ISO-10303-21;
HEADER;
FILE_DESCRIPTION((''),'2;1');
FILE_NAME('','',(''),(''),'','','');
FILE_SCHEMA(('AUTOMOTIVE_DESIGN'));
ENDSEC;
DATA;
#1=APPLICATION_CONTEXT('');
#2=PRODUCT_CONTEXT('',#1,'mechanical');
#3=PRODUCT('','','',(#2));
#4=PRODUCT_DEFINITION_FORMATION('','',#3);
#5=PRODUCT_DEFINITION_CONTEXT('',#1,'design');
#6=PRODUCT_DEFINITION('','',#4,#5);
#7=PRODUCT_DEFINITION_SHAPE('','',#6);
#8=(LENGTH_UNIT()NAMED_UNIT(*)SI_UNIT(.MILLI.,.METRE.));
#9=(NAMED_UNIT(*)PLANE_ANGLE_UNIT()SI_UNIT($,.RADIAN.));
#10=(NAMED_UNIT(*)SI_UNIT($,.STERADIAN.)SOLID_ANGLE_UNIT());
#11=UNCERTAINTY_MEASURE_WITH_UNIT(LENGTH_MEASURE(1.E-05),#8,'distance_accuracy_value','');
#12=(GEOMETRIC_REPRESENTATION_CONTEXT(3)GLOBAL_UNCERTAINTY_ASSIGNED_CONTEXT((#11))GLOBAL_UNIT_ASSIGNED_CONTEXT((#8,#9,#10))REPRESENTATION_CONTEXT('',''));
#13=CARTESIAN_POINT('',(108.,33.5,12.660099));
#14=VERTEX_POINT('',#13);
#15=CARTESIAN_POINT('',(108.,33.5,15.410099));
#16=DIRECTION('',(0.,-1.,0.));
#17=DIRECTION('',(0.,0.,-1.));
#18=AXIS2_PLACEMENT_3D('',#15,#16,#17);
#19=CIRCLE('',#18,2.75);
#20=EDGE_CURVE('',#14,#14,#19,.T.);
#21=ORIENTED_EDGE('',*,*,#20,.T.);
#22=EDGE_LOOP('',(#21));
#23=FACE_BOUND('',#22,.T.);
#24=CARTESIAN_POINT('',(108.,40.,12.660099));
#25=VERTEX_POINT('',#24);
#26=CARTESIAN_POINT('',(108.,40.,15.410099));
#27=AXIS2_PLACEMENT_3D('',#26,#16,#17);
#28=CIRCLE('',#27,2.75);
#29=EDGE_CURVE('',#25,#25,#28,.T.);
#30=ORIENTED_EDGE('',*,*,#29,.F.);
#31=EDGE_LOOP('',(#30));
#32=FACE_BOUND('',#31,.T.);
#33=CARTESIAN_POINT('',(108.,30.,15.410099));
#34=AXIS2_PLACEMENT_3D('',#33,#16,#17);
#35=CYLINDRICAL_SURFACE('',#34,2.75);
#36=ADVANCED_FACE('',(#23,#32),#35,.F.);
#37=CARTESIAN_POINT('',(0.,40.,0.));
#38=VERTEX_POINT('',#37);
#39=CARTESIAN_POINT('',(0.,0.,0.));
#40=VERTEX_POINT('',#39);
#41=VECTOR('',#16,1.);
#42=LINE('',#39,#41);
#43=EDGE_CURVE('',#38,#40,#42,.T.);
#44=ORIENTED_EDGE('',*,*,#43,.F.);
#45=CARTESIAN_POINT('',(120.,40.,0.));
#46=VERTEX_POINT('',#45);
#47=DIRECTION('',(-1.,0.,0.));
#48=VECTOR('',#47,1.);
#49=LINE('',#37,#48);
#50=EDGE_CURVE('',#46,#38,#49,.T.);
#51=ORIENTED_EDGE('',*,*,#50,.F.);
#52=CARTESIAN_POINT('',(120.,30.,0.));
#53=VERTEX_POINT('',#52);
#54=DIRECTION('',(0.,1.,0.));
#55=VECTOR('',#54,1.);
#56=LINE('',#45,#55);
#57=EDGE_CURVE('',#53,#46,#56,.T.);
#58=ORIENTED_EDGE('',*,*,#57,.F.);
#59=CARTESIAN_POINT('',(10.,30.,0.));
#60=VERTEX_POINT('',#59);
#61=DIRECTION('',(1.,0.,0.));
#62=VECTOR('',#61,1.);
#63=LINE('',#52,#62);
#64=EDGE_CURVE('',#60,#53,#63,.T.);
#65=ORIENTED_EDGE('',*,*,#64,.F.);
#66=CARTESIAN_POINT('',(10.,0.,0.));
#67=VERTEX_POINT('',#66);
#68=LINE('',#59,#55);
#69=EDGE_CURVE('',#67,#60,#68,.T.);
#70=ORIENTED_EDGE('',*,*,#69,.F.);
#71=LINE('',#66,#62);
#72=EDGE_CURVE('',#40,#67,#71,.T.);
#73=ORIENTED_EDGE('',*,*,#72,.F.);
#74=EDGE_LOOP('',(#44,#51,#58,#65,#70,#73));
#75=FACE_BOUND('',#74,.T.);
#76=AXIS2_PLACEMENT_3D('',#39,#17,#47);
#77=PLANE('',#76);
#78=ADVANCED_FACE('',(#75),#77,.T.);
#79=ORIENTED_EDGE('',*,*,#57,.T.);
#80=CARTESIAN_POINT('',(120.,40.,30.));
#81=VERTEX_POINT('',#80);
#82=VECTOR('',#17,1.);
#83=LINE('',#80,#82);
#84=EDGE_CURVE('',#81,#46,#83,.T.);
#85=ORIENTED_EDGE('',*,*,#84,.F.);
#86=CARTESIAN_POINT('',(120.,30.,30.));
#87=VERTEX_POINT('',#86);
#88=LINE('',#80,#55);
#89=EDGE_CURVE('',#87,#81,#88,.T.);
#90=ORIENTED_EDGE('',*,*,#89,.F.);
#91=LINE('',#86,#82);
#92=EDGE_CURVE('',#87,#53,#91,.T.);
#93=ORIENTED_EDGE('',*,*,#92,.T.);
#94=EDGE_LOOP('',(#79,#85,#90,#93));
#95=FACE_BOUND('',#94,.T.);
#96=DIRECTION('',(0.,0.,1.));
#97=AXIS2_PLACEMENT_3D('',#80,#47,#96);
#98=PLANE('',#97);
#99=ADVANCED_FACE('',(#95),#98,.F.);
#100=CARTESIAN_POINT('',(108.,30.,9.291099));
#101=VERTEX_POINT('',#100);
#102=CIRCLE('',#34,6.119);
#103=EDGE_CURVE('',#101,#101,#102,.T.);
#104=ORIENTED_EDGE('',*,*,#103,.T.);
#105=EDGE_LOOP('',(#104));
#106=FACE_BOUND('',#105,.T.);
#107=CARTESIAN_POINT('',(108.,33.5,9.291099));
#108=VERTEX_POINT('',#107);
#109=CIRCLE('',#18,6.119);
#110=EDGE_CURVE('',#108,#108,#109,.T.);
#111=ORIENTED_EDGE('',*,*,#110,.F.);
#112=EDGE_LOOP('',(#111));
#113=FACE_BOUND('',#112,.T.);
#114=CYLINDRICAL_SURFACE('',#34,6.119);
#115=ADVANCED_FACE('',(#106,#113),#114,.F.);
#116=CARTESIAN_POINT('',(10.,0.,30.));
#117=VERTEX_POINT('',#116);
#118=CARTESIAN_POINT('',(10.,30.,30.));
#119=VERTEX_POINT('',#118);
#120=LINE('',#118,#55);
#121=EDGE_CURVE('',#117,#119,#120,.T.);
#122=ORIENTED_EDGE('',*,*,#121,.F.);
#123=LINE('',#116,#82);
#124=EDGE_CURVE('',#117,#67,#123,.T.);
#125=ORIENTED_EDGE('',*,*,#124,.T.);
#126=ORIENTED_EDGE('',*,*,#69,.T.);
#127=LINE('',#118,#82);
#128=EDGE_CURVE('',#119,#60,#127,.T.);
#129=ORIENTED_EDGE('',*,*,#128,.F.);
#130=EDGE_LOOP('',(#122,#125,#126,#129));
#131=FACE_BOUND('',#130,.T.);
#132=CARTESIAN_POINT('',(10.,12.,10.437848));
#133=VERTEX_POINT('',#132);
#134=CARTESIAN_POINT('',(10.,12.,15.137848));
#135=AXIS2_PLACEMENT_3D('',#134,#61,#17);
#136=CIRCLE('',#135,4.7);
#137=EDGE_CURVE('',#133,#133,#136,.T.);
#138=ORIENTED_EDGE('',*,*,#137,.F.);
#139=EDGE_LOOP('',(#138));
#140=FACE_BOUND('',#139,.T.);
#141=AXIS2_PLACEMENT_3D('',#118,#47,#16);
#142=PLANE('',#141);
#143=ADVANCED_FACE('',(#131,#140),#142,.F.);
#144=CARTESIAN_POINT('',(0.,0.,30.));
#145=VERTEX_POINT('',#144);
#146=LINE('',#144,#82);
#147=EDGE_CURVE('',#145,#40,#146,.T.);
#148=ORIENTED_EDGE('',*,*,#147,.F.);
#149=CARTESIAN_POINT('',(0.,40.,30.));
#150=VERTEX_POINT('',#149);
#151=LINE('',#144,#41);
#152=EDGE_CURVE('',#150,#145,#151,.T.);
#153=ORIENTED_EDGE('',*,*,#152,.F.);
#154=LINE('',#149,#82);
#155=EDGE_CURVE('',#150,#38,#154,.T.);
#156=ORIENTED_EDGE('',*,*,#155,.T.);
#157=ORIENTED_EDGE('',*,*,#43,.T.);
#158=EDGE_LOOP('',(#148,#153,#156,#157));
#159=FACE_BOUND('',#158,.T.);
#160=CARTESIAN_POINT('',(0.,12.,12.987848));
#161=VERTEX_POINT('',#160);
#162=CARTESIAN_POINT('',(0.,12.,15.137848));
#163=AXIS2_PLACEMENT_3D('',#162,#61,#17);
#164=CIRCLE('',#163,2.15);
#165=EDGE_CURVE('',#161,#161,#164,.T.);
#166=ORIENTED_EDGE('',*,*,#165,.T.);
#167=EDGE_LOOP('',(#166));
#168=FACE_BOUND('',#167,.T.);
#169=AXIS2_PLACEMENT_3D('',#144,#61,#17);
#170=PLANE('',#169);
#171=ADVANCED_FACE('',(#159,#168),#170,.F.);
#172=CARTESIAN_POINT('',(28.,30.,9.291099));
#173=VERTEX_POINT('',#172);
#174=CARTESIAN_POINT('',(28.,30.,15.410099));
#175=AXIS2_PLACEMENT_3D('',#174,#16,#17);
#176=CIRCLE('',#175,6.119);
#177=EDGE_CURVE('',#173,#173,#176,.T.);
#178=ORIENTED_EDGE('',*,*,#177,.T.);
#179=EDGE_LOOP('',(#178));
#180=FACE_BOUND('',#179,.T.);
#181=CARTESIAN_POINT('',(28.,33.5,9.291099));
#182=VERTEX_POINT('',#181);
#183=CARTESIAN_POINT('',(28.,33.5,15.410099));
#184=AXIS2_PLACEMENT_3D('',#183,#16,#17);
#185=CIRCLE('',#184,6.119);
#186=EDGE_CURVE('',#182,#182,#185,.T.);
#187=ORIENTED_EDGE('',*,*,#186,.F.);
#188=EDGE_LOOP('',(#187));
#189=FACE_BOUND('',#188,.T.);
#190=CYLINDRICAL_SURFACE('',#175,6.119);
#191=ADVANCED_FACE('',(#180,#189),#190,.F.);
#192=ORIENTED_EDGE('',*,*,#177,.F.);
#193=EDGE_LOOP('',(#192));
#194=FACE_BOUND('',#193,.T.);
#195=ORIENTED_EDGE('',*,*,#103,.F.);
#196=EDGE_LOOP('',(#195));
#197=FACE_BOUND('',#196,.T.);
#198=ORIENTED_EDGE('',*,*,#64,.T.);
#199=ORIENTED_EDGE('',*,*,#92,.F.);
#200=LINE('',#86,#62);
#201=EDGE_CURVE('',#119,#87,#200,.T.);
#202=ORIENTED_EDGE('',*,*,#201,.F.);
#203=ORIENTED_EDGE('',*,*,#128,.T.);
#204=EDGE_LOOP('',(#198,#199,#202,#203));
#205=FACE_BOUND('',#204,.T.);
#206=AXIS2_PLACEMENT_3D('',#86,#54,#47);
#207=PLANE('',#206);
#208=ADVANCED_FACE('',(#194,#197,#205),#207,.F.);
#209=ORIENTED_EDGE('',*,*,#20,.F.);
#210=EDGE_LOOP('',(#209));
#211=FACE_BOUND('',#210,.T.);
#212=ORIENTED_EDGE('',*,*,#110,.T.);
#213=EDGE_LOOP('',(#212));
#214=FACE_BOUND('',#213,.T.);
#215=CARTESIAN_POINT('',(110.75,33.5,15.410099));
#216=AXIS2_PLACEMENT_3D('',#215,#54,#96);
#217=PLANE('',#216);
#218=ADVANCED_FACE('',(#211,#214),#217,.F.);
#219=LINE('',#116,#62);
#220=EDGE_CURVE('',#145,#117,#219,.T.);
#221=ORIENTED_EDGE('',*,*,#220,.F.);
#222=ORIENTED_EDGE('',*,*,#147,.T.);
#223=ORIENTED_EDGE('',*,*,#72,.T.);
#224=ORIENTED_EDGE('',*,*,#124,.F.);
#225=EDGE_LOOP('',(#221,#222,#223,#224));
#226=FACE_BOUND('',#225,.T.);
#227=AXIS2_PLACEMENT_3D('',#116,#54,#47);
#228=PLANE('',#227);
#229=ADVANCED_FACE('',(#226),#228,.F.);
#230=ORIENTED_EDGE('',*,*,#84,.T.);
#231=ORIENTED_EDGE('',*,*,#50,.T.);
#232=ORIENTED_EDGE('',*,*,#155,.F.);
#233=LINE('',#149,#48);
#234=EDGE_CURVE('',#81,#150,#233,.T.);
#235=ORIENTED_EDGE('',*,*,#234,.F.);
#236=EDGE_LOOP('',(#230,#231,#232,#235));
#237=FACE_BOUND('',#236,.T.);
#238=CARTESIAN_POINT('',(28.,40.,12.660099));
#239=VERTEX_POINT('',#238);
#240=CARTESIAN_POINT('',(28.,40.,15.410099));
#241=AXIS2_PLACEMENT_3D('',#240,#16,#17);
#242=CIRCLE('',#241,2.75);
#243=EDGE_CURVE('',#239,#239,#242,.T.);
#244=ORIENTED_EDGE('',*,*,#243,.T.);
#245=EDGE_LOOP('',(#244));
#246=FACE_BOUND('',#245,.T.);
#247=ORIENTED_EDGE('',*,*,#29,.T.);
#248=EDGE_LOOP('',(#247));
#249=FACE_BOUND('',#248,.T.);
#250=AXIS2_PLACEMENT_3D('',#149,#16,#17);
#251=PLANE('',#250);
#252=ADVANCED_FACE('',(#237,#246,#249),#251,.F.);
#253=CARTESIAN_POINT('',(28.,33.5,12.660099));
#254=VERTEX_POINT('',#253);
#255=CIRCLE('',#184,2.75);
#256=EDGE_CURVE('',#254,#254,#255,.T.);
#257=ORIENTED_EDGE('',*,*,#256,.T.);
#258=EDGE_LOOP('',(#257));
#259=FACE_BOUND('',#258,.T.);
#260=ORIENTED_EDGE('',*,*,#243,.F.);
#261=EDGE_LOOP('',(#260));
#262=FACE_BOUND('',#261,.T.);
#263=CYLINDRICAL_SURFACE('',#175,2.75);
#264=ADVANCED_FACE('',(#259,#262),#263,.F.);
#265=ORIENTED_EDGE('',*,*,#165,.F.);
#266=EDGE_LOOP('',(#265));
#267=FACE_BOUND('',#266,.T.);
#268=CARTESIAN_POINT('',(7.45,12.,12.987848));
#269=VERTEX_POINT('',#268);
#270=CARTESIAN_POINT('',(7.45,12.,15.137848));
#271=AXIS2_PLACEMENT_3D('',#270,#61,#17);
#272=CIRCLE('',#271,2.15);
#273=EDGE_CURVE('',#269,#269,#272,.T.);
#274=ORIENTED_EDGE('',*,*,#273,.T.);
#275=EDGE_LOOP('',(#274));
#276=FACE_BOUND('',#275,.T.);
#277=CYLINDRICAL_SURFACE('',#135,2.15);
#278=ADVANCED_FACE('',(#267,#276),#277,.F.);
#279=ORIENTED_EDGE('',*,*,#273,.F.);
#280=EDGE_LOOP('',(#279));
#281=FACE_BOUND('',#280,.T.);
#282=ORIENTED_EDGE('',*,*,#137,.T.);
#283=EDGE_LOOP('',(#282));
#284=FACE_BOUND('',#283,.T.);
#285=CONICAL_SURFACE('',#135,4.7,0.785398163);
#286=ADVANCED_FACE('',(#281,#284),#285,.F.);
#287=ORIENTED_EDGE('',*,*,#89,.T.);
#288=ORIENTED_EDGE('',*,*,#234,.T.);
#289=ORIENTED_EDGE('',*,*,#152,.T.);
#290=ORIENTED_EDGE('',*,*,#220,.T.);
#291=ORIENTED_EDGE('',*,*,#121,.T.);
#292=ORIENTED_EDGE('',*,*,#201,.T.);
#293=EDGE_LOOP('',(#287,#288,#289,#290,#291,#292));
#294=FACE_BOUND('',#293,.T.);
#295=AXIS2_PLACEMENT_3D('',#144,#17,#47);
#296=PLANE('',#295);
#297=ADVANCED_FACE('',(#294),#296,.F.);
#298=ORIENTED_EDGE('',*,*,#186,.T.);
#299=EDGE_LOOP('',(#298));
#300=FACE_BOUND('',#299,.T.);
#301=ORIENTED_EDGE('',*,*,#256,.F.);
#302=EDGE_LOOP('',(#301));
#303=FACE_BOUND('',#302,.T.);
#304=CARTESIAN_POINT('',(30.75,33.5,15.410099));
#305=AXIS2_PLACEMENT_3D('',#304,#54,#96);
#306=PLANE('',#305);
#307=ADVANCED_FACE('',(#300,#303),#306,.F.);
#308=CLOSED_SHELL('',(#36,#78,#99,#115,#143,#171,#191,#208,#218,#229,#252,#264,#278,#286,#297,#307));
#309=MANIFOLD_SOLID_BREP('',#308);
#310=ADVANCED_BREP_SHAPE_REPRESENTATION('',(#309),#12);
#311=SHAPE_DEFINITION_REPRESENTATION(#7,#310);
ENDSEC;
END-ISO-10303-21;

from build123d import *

# Parameters (mm, degrees)
BOSS_EXTRUDE1_DEPTH                                  = 30
CBORE_FOR_M5_HEX_HEAD_BOLT1_D                        = 5.5
CBORE_FOR_M5_HEX_HEAD_BOLT1_CBORE_D                  = 12.238
CBORE_FOR_M5_HEX_HEAD_BOLT1_CBORE_DEPTH              = 3.5
CSK_FOR_M4_COUNTERSUNK_RAISED_HEAD_SCREW_D           = 4.3
CSK_FOR_M4_COUNTERSUNK_RAISED_HEAD_SCREW_CSINK_D     = 9.4
CSK_FOR_M4_COUNTERSUNK_RAISED_HEAD_SCREW_CSINK_ANGLE = 90


with BuildPart() as part:
    # Sketch1 → Boss-Extrude1 (new body)
    with BuildSketch(Plane.XY):
        Polygon((0, 0), (0, 40), (120, 40), (120, 30), (10, 30), (10, 0), align=None)
    extrude(amount=BOSS_EXTRUDE1_DEPTH)

    # CBORE for M5 Hex Head Bolt1 (through all)
    with Locations(Plane(origin=(0, 30, 0), x_dir=(-1, 0, 0), z_dir=(0, -1, 0))):
        with Locations((-108, -15.41009868), (-28, -15.41009868)):
            CounterBoreHole(CBORE_FOR_M5_HEX_HEAD_BOLT1_D / 2, CBORE_FOR_M5_HEX_HEAD_BOLT1_CBORE_D / 2, CBORE_FOR_M5_HEX_HEAD_BOLT1_CBORE_DEPTH)

    # CSK for M4 Countersunk Raised Head Screw1 (through all)
    with Locations(Plane(origin=(10, 0, 0), x_dir=(0, 0, -1), z_dir=(1, 0, 0))):
        with Locations((-15.137848296, 12)):
            CounterSinkHole(CSK_FOR_M4_COUNTERSUNK_RAISED_HEAD_SCREW_D / 2, CSK_FOR_M4_COUNTERSUNK_RAISED_HEAD_SCREW_CSINK_D / 2, counter_sink_angle=CSK_FOR_M4_COUNTERSUNK_RAISED_HEAD_SCREW_CSINK_ANGLE)


solid = part.part
